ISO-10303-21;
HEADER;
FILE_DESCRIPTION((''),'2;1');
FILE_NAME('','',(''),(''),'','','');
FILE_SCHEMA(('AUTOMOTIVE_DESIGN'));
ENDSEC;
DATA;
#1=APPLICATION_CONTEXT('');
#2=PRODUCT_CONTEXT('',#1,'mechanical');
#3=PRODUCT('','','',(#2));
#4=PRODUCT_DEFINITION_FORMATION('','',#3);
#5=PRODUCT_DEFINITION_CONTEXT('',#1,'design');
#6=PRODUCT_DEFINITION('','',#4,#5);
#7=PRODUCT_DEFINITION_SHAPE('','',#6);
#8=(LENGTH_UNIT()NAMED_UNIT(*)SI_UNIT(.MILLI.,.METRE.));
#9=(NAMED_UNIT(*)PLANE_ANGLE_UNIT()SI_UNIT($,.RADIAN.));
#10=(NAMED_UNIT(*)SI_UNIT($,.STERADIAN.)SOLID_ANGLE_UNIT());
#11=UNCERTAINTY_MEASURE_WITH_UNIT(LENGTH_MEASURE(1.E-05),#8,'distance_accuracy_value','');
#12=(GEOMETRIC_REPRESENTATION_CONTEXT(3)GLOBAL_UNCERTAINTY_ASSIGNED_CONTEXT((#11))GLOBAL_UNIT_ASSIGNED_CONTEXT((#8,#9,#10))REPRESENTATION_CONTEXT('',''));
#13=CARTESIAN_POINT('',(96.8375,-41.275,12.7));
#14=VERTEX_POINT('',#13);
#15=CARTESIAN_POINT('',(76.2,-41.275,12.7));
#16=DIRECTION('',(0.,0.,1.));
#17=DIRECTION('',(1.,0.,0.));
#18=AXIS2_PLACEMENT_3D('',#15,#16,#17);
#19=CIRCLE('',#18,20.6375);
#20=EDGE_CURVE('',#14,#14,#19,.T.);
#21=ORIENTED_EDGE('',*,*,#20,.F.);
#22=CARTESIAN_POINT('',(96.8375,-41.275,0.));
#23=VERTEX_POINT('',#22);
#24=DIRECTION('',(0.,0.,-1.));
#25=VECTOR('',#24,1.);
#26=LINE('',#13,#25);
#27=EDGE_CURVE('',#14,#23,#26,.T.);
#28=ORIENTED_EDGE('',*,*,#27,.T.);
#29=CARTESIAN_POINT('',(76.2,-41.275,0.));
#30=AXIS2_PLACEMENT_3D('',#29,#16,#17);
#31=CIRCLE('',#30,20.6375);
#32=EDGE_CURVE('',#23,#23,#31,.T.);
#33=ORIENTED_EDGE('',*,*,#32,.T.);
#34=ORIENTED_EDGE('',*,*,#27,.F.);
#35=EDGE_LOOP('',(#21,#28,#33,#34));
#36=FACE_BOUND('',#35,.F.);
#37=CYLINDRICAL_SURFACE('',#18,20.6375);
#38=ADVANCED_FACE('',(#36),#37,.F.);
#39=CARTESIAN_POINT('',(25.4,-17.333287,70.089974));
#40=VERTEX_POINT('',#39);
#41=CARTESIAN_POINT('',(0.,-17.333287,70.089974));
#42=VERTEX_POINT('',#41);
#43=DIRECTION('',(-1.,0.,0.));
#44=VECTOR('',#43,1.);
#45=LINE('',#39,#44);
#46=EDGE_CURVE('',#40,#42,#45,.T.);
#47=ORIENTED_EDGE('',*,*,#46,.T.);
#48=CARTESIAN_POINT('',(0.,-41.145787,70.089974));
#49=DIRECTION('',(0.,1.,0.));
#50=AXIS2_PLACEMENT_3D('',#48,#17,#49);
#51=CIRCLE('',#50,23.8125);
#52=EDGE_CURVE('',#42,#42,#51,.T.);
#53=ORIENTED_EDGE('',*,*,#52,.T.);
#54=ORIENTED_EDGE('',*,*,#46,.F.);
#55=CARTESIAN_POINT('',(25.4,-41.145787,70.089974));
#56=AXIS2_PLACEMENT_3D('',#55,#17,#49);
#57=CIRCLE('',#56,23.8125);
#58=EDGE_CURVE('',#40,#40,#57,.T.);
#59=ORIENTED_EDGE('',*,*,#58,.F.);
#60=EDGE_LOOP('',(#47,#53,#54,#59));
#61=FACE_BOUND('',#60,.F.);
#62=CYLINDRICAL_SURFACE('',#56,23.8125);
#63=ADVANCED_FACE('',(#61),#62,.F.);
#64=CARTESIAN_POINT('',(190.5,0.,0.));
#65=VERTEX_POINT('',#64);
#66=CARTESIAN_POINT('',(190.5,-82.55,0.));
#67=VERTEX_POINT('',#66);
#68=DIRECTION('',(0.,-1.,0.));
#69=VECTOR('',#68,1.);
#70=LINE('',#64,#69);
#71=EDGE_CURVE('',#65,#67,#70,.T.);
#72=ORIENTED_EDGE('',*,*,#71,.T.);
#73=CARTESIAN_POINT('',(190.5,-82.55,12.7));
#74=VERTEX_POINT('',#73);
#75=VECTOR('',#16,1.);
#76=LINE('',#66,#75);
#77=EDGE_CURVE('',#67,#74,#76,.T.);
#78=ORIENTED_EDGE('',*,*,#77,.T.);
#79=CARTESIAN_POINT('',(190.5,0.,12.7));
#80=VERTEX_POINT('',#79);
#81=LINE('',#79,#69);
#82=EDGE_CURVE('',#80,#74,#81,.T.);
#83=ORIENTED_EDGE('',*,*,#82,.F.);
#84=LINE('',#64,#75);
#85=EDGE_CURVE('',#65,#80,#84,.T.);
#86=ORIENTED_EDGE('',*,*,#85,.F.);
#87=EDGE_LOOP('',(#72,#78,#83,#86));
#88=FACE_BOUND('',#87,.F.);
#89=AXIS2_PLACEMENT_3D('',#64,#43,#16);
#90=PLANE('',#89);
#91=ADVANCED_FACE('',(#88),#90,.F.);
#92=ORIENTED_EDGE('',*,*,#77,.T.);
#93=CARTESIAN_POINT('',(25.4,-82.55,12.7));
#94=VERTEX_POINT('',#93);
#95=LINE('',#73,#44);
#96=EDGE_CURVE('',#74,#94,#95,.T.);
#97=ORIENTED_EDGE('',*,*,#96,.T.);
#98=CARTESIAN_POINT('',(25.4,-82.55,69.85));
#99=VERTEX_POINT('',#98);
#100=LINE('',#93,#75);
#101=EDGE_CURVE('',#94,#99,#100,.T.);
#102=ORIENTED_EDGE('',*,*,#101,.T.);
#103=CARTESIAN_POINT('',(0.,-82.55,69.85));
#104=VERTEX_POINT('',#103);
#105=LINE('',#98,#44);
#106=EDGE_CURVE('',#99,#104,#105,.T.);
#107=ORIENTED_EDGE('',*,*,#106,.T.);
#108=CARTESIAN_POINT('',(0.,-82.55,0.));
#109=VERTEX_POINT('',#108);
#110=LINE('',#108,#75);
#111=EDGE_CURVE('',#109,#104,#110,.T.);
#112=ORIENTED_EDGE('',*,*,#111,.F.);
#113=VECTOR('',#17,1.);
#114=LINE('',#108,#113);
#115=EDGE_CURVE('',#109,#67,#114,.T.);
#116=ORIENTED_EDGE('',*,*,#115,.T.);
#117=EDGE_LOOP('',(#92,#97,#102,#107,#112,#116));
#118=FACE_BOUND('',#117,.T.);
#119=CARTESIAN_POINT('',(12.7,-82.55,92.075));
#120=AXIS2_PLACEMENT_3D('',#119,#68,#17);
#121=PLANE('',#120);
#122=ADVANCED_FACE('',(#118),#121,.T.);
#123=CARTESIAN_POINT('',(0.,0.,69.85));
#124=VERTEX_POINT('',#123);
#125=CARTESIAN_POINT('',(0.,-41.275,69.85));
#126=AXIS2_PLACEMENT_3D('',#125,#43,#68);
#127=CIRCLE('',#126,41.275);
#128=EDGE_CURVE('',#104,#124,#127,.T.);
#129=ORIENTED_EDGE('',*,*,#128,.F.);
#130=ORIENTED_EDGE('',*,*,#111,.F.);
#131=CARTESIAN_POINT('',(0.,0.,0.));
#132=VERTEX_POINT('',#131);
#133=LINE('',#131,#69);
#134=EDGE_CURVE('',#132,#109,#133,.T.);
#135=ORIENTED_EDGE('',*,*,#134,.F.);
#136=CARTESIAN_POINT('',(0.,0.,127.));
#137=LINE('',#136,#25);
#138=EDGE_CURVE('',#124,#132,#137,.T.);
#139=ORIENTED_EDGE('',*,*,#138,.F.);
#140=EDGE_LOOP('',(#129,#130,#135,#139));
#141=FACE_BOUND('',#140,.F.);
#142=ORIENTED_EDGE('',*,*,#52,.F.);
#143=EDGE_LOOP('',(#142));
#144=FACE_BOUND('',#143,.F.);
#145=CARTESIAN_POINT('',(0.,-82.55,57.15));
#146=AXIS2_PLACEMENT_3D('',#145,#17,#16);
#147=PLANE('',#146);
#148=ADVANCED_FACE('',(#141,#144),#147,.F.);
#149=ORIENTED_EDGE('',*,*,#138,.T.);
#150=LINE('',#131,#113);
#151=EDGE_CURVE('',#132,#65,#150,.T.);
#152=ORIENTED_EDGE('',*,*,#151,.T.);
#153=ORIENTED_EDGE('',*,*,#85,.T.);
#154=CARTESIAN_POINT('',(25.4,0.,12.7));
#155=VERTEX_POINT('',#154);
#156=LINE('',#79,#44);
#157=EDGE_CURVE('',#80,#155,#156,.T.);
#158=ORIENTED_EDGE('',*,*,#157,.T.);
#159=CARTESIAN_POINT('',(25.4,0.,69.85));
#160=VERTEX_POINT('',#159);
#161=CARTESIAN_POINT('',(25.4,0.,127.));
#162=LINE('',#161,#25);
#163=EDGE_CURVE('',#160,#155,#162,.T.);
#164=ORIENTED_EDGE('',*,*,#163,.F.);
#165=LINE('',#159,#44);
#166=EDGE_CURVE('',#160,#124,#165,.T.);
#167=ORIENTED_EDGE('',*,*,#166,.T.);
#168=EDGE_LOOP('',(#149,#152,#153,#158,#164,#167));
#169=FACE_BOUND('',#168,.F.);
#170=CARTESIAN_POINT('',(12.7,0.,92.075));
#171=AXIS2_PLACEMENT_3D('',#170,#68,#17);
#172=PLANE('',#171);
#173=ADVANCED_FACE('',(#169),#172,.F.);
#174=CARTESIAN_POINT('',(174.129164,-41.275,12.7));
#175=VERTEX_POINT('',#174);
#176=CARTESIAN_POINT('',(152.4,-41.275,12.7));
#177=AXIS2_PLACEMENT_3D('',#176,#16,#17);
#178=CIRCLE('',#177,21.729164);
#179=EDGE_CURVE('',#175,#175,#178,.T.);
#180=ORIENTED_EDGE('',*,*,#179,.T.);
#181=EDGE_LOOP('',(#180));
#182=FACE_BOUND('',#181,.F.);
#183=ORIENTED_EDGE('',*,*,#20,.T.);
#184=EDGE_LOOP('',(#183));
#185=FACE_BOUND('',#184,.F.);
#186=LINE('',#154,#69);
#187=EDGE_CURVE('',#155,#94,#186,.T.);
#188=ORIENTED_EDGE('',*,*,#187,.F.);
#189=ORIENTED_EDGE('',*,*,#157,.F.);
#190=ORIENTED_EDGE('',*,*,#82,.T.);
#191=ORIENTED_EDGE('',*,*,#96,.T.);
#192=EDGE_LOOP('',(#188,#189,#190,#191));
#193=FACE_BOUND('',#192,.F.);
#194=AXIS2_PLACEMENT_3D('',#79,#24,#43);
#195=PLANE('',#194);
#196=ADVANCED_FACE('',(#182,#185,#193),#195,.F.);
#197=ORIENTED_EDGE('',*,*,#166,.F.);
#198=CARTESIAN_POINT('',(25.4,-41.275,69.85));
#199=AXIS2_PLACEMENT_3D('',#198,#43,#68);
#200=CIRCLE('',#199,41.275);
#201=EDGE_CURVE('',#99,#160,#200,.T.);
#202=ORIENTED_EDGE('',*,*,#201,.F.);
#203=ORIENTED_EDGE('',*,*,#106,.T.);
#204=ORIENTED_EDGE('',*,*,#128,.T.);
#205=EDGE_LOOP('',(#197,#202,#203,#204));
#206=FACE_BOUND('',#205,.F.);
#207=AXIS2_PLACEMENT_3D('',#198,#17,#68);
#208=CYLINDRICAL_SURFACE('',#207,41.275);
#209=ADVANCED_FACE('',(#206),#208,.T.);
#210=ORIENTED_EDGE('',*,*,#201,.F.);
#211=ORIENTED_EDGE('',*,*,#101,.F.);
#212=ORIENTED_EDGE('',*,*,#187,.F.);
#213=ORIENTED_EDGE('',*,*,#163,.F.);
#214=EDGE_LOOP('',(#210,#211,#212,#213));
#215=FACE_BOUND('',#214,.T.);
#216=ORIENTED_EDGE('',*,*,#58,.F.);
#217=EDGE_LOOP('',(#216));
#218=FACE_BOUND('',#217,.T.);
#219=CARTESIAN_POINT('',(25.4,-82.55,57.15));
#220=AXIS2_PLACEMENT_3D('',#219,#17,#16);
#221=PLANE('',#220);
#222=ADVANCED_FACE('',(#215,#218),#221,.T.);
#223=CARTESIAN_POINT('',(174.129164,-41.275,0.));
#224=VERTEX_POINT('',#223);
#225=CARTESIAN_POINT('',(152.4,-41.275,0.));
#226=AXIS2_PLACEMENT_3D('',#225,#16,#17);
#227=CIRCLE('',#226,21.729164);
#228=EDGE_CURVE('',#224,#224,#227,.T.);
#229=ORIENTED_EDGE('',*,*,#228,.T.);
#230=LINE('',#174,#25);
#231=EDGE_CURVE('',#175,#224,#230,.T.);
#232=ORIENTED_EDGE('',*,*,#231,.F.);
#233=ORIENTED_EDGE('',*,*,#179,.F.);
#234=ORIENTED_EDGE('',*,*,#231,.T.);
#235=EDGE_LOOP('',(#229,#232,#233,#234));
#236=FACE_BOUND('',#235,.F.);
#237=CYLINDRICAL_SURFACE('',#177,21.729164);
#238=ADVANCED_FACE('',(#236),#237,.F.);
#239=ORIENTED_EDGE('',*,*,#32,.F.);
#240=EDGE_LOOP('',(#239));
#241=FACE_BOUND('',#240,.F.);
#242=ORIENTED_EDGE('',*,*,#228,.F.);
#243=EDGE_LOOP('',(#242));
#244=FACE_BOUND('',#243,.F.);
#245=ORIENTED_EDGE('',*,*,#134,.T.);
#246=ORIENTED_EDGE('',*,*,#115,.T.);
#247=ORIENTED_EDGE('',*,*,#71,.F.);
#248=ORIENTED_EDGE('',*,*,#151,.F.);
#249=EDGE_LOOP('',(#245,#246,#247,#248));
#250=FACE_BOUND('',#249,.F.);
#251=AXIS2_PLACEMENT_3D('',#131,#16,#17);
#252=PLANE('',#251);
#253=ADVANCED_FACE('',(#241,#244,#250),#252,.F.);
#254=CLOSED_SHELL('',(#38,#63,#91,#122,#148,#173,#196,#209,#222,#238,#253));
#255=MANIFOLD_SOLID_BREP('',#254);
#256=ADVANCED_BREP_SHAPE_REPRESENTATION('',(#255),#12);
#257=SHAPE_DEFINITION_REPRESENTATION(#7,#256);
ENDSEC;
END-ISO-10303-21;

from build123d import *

# Parameters (mm, degrees)
F1_DEPTH = 82.55
F2_W     = 25.4
F2_H     = 69.85
F3_DEPTH = 82.55
F4_R     = 20.6375
F4_R_2   = 21.729164
F5_DEPTH = 25.4
F7_DEPTH = 25.4
F8_R     = 23.8125
F9_DEPTH = 25.4


with BuildPart() as f1:
    # F0 (on Front) → F1 (new body)
    with BuildSketch(Plane.XZ):
        Polygon((0, 57.15), (0, 0), (190.5, 0), (190.5, 12.7), (25.4, 12.7), (25.4, 57.15), align=None)
    extrude(amount=F1_DEPTH)

    # F2 (on face) → F3 (join)
    with BuildSketch(Plane.XZ.offset(82.55)):
        with Locations((12.7, 92.075)):
            Rectangle(F2_W, F2_H)
    extrude(amount=-F3_DEPTH)

    # F4 (on face) → F5 (cut)
    with BuildSketch(Plane.XY.offset(12.7)):
        with Locations((76.2, -41.275)):
            Circle(F4_R)
        with Locations((152.4, -41.275)):
            Circle(F4_R_2)
    extrude(amount=-F5_DEPTH, mode=Mode.SUBTRACT)

    # F6 (on face) → F7 (cut)
    with BuildSketch(Plane.YZ.offset(25.4)):
        with BuildLine():
            ThreePointArc((-82.55, 69.85), (-41.275, 111.125), (0, 69.85))
            Line((0, 69.85), (0, 127))
            Line((0, 127), (-82.55, 127))
            Line((-82.55, 127), (-82.55, 69.85))
        make_face()
    extrude(amount=-F7_DEPTH, mode=Mode.SUBTRACT)

    # F8 (on face) → F9 (cut)
    with BuildSketch(Plane.YZ.offset(25.4)):
        with Locations((-41.145787, 70.089974)):
            Circle(F8_R)
    extrude(amount=-F9_DEPTH, mode=Mode.SUBTRACT)


solid = f1.part
